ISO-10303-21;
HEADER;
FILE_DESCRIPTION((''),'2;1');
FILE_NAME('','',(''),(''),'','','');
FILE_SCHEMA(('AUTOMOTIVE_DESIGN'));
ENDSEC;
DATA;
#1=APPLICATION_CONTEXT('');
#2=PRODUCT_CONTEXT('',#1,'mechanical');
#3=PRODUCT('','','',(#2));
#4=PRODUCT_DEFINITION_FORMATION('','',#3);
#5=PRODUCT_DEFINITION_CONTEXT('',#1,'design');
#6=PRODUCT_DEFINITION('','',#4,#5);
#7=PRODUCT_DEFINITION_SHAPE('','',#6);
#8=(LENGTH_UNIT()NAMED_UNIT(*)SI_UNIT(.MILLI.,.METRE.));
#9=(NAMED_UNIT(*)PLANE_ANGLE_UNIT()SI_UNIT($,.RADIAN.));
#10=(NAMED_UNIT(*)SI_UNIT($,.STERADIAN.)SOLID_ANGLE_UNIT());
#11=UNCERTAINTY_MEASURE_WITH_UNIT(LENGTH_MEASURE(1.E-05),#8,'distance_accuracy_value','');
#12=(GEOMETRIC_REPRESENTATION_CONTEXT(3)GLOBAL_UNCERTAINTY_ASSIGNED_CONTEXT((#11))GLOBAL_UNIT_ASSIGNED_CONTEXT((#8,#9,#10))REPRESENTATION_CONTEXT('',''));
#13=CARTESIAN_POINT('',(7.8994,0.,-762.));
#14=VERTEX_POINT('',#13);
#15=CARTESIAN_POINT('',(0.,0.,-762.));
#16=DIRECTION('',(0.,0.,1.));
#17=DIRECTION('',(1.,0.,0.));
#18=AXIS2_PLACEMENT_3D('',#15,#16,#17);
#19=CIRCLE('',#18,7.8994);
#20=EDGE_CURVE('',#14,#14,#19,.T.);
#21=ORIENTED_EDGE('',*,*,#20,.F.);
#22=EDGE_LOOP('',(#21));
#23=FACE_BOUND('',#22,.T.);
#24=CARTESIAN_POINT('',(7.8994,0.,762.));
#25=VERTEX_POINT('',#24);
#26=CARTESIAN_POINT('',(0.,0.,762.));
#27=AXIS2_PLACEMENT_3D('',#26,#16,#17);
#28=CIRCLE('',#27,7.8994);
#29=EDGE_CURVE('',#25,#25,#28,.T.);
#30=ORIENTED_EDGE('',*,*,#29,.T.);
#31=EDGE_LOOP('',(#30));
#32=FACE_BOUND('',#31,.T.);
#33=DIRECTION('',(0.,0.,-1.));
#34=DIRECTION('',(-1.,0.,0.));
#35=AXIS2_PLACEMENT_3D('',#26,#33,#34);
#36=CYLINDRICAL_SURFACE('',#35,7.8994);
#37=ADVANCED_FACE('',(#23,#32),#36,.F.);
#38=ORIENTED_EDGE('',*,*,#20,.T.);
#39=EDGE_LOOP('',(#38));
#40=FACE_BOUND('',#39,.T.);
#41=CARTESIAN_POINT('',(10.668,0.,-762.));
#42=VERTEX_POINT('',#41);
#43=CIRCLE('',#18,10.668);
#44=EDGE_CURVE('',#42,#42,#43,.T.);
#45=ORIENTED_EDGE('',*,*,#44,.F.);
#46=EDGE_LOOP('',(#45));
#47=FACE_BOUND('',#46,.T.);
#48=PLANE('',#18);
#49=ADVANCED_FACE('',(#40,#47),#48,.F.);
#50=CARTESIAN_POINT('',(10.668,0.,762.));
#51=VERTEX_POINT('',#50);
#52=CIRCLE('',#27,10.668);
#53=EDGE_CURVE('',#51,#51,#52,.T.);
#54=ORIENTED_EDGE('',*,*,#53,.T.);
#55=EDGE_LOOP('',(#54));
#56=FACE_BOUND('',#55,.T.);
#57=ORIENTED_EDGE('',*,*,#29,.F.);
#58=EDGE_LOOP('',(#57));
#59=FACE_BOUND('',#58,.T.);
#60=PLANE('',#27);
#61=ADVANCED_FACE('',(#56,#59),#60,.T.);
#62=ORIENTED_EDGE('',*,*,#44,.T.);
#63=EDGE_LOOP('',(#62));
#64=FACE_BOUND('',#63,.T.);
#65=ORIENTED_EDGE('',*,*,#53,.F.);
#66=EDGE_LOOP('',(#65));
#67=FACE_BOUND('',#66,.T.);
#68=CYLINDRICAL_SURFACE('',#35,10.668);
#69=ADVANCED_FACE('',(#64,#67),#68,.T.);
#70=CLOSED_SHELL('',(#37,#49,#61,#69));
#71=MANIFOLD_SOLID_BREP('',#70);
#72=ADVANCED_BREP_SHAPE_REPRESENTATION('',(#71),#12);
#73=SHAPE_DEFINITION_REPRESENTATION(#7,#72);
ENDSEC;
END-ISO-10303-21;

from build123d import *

# Parameters (mm, degrees)
SKETCH1_R           = 10.668
SKETCH1_R_2         = 7.8994
EXTRUDE_THIN1_DEPTH = 762


with BuildPart() as part:
    # Sketch1 → Extrude-Thin1 (new body, symmetric)
    with BuildSketch(Plane.XY):
        Circle(SKETCH1_R)
        Circle(SKETCH1_R_2, mode=Mode.SUBTRACT)
    extrude(amount=EXTRUDE_THIN1_DEPTH, both=True)


solid = part.part
